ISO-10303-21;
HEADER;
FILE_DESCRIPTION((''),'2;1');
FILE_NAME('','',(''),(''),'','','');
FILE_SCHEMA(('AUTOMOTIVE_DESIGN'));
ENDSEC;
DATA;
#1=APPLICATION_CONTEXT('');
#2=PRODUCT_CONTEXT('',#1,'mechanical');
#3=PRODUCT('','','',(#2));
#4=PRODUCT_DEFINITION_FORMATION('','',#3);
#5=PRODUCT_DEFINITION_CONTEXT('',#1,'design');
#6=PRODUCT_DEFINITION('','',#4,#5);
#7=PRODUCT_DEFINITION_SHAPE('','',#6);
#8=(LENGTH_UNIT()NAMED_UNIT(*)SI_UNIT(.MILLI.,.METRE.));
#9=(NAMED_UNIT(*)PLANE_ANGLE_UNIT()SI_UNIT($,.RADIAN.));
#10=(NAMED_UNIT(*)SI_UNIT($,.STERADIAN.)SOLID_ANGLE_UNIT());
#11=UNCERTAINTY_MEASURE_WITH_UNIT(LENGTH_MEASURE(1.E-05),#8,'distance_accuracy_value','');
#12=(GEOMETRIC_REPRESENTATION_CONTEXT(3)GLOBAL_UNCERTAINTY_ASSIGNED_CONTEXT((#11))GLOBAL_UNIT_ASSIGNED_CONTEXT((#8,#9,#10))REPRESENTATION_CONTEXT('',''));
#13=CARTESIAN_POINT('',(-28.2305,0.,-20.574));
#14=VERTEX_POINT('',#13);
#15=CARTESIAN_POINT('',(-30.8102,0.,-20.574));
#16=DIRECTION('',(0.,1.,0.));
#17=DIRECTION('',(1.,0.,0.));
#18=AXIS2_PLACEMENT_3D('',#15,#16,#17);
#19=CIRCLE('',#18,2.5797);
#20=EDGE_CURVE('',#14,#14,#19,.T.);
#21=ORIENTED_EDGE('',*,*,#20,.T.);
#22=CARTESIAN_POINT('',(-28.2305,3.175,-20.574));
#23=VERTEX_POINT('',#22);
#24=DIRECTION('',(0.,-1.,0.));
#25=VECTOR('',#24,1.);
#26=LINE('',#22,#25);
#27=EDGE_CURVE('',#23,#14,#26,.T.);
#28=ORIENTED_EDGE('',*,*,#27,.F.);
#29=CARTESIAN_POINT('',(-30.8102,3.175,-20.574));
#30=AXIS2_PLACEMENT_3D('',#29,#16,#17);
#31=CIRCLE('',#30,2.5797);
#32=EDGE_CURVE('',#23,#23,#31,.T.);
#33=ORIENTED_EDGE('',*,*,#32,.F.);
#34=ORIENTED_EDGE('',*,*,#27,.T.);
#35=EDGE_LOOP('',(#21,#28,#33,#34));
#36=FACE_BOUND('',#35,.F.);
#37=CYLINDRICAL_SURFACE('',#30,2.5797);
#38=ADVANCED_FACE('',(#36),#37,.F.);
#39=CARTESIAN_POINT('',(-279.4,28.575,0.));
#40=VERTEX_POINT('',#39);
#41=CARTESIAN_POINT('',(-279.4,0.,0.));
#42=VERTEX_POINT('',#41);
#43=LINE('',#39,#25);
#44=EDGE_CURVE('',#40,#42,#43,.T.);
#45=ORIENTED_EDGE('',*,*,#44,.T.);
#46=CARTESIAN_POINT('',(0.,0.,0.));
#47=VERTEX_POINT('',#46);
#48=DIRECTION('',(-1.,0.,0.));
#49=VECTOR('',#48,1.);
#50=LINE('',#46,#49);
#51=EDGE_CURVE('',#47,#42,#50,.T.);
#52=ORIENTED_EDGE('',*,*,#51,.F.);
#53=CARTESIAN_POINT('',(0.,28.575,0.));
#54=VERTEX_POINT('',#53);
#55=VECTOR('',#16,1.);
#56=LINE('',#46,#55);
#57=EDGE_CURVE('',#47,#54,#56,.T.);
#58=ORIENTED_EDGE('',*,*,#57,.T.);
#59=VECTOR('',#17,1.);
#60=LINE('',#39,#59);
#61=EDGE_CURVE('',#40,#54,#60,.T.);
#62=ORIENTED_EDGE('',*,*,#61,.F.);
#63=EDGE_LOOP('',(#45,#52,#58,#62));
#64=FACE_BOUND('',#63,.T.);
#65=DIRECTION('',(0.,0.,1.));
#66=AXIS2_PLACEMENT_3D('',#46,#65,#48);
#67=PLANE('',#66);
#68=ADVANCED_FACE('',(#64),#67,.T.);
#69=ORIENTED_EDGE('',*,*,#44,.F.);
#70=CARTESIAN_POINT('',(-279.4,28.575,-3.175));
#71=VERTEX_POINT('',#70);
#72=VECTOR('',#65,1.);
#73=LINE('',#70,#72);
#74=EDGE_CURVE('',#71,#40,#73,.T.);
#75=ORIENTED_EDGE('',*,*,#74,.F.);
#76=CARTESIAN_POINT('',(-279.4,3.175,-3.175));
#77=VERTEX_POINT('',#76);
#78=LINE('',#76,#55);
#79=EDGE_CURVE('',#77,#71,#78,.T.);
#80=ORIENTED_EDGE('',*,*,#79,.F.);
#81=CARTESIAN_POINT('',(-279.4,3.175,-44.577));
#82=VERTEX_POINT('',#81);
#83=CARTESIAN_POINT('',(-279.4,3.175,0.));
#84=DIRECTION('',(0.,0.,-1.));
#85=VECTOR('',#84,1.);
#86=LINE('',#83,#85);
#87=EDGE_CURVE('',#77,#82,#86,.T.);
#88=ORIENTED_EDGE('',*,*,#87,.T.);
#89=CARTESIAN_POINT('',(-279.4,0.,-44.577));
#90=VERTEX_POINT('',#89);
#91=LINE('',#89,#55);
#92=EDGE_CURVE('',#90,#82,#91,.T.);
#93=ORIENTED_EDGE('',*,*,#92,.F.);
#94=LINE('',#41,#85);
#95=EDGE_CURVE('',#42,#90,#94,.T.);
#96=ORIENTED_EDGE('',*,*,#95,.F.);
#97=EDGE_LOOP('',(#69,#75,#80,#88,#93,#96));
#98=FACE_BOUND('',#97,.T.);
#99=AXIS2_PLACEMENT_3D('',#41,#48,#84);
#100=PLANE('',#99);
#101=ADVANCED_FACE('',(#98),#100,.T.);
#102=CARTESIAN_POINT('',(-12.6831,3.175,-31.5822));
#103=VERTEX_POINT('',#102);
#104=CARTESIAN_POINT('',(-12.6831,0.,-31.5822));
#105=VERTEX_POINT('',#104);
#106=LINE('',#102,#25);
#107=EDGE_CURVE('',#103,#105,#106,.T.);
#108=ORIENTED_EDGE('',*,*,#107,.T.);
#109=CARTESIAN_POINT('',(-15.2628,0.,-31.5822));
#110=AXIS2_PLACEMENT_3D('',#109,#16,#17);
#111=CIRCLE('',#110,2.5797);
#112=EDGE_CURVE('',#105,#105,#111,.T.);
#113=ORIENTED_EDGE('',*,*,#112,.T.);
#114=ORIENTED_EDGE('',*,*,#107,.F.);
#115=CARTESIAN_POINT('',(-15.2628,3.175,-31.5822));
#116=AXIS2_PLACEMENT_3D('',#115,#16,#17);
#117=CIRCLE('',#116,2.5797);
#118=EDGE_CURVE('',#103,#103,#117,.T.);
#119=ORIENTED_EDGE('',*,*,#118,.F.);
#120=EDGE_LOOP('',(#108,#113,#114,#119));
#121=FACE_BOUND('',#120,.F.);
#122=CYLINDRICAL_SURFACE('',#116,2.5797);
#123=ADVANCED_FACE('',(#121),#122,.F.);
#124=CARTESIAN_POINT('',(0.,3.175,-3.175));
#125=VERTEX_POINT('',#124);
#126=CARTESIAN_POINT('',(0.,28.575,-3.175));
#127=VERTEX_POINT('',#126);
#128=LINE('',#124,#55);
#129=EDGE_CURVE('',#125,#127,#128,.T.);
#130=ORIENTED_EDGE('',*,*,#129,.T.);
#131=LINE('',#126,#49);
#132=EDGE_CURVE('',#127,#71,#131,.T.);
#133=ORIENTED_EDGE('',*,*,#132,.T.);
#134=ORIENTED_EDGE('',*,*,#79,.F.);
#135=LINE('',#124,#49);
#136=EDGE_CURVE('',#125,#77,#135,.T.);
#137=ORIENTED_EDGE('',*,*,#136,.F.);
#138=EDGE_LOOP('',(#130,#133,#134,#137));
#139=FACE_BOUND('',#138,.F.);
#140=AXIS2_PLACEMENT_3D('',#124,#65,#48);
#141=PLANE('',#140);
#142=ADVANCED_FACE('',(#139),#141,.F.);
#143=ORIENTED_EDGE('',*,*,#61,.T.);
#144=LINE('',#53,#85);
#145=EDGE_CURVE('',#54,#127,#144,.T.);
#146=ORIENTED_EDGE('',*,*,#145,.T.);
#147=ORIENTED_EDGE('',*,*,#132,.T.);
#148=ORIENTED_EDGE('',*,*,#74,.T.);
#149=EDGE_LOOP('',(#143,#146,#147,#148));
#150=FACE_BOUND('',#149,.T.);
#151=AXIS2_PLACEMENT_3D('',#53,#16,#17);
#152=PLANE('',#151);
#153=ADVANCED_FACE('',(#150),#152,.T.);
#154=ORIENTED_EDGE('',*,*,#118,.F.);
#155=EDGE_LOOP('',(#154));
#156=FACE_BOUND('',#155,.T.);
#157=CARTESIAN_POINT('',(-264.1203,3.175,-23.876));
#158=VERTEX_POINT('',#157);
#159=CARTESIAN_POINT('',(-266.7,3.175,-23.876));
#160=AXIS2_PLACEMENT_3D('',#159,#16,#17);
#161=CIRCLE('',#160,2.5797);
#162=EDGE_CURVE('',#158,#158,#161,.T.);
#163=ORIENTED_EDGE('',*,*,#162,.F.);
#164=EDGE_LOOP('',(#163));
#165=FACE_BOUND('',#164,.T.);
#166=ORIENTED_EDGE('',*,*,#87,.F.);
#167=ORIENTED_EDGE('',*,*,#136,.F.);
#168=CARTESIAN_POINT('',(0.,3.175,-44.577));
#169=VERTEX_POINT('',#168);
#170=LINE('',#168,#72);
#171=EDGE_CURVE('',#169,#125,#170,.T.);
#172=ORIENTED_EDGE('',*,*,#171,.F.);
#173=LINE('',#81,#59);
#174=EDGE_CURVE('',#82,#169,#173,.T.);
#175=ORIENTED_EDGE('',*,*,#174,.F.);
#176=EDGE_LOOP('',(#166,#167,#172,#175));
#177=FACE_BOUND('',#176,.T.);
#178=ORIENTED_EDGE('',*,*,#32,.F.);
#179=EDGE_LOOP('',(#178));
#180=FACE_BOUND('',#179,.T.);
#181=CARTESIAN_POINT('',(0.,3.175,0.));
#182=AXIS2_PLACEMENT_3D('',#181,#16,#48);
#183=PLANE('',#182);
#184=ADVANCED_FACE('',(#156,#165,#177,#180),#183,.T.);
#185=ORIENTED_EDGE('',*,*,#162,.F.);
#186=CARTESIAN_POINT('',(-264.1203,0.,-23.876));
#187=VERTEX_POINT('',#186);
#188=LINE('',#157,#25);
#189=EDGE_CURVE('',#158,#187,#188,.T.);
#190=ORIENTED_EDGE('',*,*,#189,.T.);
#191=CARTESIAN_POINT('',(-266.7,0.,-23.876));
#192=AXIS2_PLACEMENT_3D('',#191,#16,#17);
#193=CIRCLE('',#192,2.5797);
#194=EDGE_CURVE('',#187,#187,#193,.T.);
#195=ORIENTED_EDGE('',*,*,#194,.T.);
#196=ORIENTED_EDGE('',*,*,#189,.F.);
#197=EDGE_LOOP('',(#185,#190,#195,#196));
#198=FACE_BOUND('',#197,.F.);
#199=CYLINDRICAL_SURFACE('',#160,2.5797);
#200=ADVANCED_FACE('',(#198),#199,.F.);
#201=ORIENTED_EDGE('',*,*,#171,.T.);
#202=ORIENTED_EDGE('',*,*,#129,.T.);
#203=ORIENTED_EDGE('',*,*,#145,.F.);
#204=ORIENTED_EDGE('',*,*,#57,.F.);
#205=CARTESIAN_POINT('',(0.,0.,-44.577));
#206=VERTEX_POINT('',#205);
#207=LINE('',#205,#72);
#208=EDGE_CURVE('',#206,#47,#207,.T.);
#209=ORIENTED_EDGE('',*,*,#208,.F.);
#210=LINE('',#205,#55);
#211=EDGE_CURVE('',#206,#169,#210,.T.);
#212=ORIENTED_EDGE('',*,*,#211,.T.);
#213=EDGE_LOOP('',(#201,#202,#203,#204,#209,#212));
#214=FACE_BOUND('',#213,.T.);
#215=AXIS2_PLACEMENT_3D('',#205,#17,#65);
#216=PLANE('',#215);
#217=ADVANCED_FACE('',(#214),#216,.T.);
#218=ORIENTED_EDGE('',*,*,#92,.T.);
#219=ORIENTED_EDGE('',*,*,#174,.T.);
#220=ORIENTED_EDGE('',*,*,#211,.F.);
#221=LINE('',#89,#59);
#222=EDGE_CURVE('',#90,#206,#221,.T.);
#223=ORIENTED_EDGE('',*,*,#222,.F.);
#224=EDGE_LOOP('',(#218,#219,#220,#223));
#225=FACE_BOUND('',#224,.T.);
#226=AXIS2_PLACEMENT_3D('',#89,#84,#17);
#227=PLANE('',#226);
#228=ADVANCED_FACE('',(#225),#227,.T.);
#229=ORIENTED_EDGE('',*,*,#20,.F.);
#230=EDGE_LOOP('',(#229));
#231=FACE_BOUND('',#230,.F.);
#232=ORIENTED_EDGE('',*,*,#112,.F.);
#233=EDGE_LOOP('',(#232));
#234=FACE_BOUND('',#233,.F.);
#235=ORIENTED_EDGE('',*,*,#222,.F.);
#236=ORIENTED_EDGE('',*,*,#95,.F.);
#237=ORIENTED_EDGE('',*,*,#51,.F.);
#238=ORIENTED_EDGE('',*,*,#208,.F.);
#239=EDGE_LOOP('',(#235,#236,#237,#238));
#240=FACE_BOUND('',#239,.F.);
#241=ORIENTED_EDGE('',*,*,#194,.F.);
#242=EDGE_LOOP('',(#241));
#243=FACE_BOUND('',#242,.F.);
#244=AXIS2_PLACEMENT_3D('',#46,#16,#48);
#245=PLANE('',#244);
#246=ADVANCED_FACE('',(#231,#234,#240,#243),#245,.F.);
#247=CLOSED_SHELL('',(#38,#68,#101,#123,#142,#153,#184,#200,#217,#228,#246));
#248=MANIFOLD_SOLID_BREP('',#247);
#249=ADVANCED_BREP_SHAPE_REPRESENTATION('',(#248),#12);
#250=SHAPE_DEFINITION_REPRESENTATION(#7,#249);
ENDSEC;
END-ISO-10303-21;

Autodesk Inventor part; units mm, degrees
ref_plane "YZ Plane" through (0, 0, 0) normal (1, 0, 0) x (0, 1, 0)
ref_plane "XZ Plane" through (0, 0, 0) normal (0, 1, 0) x (-1, 0, 0)
ref_plane "XY Plane" through (0, 0, 0) normal (0, 0, 1) x (1, 0, 0)
sketch "Sketch1" plane through (0, 0, 0) normal (0, 1, 0) x (-1, 0, 0)
  line L0 (0, 0) -> (279.4, 0)
  line L1 (279.4, 0) -> (279.4, -44.577)
  line L2 (279.4, -44.577) -> (0, -44.577)
  line L3 (0, -44.577) -> (0, 0)
  dimension "d0" = 279.4
  dimension "d1" = 44.577
extrude "Extrusion1" add sketch "Sketch1" along normal blind 3.175
sketch "Sketch2" plane through (0, 3.175, 0) normal (0, 1, 0) x (1, 0, 0)
  line L0 (-279.4, 0) -> (0, 0) projected
  line L1 (-279.4, 0) -> (0, 0)
  line L2 (0, 0) -> (0, 3.175)
  line L3 (0, 3.175) -> (-279.4, 3.175)
  line L4 (-279.4, 3.175) -> (-279.4, 0)
  dimension "d4" = 279.4
  dimension "d5" = 3.175
extrude "Extrusion2" add sketch "Sketch2" along normal blind 25.4
sketch "Sketch3" plane through (0, 3.175, 0) normal (0, 1, 0) x (1, 0, 0)
  line L0 (0, 3.175) -> (0, 44.577) construction
  line L1 (0, 44.577) -> (-279.4, 44.577) construction
  line L2 (-139.7, 44.577) -> (-139.7, 3.175) construction
  line L3 (0, 44.577) -> (-30.8102, 44.577) construction
  line L4 (-30.8102, 44.577) -> (-30.8102, 20.574) construction
  circle A0 centre (-30.8102, 20.574) radius 2.5797
  line L5 (-30.8102, 20.574) -> (-15.2628, 31.5822) construction
  circle A1 centre (-15.2628, 31.5822) radius 2.5797
  point P0 (0, 0)
extrude "Extrusion3" cut sketch "Sketch3" against normal blind 25.4
sketch "Sketch4" plane through (0, 3.175, 0) normal (0, 1, 0) x (1, 0, 0)
  line L0 (-279.4, 44.577) -> (-279.4, 3.175) construction
  line L1 (-279.4, 23.876) -> (-266.7, 23.876) construction
  circle A0 centre (-266.7, 23.876) radius 2.5797
  point P0 (0, 0)
  dimension "d26" = 12.7
  dimension "d27" = 5.1594
extrude "Extrusion4" cut sketch "Sketch4" against normal blind 25.4
properties part number "angle iron with  holes 1"
